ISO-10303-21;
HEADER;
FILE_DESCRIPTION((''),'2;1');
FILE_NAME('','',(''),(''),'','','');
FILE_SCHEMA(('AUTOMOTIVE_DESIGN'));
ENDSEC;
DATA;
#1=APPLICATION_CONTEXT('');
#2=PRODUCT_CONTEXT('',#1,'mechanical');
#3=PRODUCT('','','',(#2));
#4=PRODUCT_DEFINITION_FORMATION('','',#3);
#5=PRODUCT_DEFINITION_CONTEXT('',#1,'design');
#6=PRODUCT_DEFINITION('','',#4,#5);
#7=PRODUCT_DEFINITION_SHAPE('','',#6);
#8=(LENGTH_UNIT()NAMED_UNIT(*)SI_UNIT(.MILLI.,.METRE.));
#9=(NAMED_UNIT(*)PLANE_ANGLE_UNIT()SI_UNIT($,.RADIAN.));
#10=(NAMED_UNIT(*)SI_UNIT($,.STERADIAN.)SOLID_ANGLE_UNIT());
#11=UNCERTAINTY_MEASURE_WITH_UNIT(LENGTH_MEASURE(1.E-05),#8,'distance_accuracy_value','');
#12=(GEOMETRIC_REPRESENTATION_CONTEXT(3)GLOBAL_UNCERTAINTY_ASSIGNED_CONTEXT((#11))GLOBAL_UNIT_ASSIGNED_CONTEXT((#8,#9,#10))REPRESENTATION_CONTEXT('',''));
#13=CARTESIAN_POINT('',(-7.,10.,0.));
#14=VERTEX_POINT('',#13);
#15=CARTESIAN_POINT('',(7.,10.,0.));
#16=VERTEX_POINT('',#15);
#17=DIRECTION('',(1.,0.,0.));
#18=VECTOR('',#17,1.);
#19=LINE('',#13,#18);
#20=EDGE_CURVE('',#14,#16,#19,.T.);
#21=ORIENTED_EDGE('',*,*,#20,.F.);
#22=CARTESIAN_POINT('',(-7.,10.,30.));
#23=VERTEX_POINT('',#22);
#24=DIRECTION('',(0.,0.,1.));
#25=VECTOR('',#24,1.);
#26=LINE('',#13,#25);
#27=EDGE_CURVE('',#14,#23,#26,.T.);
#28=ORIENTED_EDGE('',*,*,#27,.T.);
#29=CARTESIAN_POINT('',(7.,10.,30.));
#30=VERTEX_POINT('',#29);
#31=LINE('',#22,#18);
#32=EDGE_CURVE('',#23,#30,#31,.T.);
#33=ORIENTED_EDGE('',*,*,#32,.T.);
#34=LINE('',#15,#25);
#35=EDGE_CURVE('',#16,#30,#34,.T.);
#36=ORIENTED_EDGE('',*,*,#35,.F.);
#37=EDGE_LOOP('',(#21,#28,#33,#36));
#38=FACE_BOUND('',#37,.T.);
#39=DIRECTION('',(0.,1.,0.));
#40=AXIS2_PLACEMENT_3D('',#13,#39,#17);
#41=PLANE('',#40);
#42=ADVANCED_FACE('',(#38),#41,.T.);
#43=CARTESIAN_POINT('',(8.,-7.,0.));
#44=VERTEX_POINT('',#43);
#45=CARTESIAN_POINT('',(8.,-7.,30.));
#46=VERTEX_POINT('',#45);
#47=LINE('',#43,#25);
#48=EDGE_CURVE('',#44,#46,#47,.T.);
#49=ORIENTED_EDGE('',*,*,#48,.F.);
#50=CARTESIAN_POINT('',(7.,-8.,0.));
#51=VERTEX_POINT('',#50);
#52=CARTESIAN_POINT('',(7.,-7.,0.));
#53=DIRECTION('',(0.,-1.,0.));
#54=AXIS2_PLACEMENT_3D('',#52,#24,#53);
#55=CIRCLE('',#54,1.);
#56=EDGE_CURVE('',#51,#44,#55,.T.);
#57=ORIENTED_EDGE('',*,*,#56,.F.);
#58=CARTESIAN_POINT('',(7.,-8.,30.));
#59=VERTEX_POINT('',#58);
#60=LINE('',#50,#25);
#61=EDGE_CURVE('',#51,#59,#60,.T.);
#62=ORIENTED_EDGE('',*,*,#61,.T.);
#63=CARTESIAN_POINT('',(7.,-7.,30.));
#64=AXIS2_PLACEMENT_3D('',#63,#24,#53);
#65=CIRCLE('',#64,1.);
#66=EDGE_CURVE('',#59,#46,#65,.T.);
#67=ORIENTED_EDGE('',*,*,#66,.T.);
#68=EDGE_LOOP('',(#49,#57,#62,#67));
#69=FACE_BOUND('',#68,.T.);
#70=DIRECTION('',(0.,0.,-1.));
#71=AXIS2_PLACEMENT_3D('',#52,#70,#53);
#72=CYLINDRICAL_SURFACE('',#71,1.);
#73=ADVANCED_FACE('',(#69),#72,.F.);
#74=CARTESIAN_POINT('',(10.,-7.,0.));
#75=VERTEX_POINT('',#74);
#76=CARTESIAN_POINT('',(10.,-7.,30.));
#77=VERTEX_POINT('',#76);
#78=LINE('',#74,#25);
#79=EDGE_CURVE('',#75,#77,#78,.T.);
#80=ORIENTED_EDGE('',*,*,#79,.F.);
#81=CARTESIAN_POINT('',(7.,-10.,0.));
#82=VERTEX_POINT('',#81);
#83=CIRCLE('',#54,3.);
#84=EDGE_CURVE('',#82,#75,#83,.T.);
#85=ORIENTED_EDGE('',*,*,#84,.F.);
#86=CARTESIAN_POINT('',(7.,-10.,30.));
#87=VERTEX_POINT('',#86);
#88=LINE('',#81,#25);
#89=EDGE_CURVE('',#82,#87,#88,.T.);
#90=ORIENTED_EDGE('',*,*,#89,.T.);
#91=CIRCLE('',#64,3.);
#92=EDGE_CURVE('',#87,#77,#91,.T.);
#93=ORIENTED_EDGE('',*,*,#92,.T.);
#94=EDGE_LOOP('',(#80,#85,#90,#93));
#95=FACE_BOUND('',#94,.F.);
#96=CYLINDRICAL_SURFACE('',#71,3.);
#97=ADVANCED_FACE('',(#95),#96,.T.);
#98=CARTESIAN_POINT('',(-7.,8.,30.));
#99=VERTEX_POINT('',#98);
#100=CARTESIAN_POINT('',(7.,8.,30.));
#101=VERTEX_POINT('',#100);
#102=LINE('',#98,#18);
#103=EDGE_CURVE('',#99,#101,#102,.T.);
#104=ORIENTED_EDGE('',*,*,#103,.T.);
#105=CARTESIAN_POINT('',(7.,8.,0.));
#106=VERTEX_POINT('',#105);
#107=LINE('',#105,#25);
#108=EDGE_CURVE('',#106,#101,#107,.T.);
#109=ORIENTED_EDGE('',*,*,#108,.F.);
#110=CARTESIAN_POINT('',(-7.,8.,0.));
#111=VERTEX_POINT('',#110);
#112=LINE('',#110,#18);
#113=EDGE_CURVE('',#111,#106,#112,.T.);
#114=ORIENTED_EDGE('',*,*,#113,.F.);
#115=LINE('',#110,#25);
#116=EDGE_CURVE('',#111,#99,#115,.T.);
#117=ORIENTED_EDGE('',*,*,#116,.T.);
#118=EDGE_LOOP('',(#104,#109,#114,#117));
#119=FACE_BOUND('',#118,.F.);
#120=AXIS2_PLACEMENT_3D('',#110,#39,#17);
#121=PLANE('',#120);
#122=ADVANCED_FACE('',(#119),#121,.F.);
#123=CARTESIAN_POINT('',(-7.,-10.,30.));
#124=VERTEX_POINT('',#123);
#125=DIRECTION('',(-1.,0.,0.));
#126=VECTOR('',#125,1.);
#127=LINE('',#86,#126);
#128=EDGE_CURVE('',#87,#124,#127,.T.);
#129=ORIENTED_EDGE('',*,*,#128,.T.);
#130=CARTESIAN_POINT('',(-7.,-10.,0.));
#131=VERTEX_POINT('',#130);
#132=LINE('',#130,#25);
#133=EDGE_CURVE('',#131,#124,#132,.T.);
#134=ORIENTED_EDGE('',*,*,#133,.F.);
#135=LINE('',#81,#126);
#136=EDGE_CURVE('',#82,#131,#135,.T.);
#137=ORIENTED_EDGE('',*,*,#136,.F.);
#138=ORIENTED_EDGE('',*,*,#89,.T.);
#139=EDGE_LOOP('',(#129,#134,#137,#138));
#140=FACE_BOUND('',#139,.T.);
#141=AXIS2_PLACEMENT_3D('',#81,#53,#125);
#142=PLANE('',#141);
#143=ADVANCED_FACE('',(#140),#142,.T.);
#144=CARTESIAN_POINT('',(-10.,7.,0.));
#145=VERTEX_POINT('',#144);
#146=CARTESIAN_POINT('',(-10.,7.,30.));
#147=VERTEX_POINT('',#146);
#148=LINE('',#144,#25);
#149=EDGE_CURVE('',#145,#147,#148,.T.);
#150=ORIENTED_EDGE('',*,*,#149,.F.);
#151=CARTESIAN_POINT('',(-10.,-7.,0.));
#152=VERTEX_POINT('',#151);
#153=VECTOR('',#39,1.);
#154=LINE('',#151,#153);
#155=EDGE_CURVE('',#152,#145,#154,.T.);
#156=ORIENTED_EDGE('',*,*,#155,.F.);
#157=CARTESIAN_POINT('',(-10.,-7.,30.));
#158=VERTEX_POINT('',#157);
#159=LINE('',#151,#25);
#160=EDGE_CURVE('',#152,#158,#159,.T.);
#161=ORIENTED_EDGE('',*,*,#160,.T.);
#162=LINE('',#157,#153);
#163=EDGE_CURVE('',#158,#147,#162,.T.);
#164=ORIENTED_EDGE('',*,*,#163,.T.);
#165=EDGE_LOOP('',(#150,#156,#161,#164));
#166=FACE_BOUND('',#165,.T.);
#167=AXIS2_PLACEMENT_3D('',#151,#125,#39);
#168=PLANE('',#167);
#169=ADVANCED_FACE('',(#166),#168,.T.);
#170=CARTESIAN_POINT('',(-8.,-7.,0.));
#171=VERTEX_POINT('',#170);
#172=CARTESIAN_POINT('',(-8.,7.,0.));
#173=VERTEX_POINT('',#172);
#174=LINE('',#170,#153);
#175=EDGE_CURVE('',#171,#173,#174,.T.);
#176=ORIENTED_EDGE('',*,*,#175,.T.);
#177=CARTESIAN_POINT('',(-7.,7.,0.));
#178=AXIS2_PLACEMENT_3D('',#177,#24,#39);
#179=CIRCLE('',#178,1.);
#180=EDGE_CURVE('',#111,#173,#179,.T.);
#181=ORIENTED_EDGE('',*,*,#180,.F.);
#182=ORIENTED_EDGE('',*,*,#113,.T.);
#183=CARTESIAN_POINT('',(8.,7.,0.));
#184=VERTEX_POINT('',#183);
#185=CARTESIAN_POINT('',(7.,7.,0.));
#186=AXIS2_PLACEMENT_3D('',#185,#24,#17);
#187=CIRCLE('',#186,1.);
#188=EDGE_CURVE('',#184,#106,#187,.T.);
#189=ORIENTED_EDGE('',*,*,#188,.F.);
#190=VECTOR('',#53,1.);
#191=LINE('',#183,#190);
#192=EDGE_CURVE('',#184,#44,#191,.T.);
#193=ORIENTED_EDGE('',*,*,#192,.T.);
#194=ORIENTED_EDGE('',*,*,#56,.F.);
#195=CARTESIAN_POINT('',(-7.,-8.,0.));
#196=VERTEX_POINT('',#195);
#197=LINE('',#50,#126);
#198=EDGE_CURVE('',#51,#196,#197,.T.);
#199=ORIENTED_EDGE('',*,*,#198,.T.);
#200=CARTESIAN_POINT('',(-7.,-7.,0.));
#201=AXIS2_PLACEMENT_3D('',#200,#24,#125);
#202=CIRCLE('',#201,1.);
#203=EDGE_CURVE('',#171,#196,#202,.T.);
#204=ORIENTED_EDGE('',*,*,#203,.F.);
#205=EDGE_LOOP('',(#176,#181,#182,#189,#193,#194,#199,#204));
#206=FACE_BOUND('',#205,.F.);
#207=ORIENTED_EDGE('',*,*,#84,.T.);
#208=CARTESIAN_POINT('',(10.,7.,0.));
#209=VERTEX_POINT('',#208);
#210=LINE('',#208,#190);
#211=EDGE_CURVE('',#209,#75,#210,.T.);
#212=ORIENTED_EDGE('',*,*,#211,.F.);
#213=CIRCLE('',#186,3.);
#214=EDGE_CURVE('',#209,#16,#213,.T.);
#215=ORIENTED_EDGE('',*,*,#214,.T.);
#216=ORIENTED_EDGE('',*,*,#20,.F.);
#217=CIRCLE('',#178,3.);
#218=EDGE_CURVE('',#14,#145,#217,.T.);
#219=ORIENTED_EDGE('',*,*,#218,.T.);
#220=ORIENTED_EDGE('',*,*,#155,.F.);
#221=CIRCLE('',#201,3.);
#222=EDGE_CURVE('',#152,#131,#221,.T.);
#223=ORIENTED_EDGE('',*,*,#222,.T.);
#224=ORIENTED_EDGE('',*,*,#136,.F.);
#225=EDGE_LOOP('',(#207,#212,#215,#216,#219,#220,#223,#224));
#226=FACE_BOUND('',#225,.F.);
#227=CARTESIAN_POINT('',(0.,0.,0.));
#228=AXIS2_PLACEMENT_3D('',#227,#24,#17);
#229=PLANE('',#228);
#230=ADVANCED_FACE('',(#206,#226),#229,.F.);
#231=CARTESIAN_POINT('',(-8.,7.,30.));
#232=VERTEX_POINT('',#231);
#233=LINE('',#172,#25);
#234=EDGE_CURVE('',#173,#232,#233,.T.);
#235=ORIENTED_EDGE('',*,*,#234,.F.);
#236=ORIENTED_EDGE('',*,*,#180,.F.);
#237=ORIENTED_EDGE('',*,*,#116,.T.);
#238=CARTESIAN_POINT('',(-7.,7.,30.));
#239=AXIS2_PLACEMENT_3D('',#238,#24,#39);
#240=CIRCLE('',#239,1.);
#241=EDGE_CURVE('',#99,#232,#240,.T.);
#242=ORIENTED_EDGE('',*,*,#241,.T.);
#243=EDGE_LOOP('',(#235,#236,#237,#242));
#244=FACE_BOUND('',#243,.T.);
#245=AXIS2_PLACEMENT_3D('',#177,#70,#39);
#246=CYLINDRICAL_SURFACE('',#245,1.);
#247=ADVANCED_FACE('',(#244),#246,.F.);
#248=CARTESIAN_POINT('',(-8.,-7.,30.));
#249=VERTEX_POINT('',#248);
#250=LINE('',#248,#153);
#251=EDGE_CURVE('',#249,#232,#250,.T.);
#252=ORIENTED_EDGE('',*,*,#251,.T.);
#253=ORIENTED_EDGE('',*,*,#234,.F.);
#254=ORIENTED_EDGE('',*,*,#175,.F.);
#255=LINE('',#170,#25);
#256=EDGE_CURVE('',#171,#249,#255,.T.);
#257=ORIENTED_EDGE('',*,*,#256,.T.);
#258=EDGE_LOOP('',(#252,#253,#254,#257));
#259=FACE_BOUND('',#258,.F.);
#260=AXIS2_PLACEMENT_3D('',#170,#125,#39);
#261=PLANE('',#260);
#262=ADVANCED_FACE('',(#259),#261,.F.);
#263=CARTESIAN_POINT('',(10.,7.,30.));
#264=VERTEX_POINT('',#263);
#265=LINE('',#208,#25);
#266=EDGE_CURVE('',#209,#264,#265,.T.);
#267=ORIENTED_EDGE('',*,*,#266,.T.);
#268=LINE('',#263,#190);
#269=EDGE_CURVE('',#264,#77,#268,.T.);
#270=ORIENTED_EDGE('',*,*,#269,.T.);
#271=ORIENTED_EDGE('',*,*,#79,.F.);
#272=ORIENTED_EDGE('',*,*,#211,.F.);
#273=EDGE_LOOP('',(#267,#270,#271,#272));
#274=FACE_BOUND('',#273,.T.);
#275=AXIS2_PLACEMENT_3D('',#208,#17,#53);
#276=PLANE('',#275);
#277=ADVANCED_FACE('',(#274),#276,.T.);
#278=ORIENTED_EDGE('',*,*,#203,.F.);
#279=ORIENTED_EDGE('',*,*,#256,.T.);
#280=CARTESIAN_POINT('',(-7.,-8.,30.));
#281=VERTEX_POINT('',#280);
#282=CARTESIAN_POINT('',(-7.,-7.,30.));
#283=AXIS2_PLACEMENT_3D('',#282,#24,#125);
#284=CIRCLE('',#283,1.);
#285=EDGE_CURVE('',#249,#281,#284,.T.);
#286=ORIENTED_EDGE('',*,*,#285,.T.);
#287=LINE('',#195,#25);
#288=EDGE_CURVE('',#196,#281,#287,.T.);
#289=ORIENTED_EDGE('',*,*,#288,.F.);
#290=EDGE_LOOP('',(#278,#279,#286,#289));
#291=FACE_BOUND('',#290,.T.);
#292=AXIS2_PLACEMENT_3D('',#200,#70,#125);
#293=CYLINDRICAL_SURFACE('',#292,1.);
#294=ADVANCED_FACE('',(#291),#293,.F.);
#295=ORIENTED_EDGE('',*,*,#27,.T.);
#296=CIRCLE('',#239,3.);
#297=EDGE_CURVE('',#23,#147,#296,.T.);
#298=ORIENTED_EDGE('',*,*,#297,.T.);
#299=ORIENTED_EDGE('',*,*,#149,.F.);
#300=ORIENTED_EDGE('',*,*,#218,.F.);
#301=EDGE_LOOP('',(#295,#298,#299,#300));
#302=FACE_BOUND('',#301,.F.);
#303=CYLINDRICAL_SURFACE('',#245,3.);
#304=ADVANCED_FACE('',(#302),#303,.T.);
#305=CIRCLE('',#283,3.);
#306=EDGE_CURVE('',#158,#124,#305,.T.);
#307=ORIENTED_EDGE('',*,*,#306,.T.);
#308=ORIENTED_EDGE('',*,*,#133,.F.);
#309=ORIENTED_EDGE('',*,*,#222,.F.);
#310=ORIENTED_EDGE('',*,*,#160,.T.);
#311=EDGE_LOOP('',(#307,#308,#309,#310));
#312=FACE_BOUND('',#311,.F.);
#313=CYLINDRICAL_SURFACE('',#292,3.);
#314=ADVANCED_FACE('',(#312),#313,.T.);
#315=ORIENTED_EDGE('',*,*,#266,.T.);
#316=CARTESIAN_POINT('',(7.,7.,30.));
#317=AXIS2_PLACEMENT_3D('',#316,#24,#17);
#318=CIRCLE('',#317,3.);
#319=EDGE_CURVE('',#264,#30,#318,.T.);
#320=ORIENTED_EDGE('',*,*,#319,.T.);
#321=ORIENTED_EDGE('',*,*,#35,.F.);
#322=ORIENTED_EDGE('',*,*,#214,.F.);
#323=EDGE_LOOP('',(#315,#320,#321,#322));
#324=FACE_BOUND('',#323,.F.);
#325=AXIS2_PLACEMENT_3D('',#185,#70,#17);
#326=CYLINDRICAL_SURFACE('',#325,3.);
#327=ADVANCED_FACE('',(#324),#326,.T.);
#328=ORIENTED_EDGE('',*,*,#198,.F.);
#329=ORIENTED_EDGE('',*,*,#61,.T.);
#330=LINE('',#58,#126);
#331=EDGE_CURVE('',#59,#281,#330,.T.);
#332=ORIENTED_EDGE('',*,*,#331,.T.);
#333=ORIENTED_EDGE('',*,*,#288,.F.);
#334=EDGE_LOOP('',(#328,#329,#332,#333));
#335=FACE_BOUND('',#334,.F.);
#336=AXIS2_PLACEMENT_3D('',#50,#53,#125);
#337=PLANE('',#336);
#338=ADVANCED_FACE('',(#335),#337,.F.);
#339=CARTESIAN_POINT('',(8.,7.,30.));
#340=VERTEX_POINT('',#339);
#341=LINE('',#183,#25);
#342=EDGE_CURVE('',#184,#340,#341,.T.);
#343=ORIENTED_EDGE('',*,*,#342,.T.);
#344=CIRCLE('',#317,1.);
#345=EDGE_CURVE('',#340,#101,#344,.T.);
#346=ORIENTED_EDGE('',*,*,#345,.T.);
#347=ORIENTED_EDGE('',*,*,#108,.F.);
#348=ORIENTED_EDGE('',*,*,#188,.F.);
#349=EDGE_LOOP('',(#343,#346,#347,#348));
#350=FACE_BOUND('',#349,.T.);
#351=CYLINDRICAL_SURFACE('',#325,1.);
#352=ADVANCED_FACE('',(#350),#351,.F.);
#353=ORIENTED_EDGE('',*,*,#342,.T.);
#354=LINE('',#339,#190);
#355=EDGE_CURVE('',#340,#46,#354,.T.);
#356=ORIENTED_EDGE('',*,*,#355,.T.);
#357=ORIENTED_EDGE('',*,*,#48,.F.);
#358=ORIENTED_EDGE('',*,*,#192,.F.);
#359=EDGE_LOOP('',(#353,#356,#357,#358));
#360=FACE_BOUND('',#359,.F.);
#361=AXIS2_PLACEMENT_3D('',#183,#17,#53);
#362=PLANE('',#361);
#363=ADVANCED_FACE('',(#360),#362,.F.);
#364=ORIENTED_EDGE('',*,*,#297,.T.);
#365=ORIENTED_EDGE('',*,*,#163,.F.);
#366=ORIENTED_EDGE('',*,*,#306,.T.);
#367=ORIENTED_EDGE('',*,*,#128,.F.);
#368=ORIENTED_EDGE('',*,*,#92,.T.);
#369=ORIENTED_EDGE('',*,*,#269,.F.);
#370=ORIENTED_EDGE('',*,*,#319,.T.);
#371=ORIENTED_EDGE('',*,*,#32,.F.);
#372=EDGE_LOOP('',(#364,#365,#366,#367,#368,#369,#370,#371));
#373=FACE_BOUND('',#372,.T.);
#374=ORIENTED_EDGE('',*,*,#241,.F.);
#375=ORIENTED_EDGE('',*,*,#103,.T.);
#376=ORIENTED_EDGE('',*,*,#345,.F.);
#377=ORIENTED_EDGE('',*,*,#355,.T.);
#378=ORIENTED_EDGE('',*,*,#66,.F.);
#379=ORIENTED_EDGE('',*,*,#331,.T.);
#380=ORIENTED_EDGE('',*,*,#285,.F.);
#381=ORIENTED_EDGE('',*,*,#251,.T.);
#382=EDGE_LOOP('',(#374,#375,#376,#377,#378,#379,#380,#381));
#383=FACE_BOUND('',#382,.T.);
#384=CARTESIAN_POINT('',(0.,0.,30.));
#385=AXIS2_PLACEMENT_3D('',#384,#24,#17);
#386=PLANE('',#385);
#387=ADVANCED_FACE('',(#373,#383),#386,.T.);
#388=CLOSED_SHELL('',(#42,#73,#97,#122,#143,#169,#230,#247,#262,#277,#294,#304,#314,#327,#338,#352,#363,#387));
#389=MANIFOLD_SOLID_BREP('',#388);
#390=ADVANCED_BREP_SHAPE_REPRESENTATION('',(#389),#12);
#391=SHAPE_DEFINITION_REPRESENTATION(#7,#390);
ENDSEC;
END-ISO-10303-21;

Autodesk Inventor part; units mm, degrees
ref_plane "YZ Plane" through (0, 0, 0) normal (1, 0, 0) x (0, 1, 0)
ref_plane "Start Plane" through (0, 0, 0) normal (0, 0, 1) x (1, 0, 0)
ref_plane "End Plane" through (0, 0, 30) normal (0, 0, 1) x (1, 0, 0)
sketch "Sketch" plane through (0, 0, 0) normal (0, 0, 1) x (1, 0, 0)
  line L0 (-10, -7) -> (-10, 7)
  line L1 (-7, 10) -> (7, 10)
  line L2 (10, 7) -> (10, -7)
  line L3 (7, -10) -> (-7, -10)
  arc A0 (-10, -7) -> (-7, -10) centre (-7, -7) ccw
  arc A1 (-7, 10) -> (-10, 7) centre (-7, 7) ccw
  arc A2 (10, 7) -> (7, 10) centre (7, 7) ccw
  arc A3 (7, -10) -> (10, -7) centre (7, -7) ccw
  arc A4 (-7, 8) -> (-8, 7) centre (-7, 7) ccw
  line L4 (-7, 8) -> (7, 8)
  arc A5 (8, 7) -> (7, 8) centre (7, 7) ccw
  line L5 (8, 7) -> (8, -7)
  arc A6 (7, -8) -> (8, -7) centre (7, -7) ccw
  line L6 (7, -8) -> (-7, -8)
  arc A7 (-8, -7) -> (-7, -8) centre (-7, -7) ccw
  line L7 (-8, -7) -> (-8, 7)
  line L8 (0, 14.8698) -> (0, -14.8698) construction
  line L9 (-14.8698, 0) -> (14.8698, 0) construction
  dimension "d7" = 3
  dimension "d10" = 20
  dimension "d11" = 20
  dimension "d12" = 2
  dimension "d15" = 10
  dimension "d16" = 10
extrude "Body" add sketch "Sketch" along normal up to surface (30 mm away) from surface at 0
sketch "Sketch3" plane through (0, 0, 0) normal (0, 0, 1) x (1, 0, 0)
  line L0 (0, 0) -> (10, 0)
ref_plane "Work Plane3" through (0, 0, 0) normal (0, -1, 0) x (1, 0, 0)
sketch "Sketch4" plane through (0, 0, 0) normal (0, -1, 0) x (1, 0, 0)
  line L0 (-2, 0) -> (12, 0)
  line L1 (-2, 30) -> (12, 30)
  dimension "d18" = 30
equation "\"d7\" = G_IR"
equation "\"d10\" = G_H"
equation "\"d11\" = G_W"
equation "\"d12\" = G_T"
equation "\"d15\" = 0.5 * d10"
equation "\"d16\" = 0.5 * d11"
equation "\"d3\" = G_L"
equation "\"G_W\" = 20"
equation "\"G_H\" = 20"
equation "\"G_T\" = 2"
equation "\"G_IR\" = 3"
equation "\"G_L\" = d18"
equation "\"G_OFFSET_START\" = 0"
equation "\"G_OFFSET_END\" = 0"
properties part number "ISO 12633-2 - 20x20x2 - 30" material "Steel, Mild"
